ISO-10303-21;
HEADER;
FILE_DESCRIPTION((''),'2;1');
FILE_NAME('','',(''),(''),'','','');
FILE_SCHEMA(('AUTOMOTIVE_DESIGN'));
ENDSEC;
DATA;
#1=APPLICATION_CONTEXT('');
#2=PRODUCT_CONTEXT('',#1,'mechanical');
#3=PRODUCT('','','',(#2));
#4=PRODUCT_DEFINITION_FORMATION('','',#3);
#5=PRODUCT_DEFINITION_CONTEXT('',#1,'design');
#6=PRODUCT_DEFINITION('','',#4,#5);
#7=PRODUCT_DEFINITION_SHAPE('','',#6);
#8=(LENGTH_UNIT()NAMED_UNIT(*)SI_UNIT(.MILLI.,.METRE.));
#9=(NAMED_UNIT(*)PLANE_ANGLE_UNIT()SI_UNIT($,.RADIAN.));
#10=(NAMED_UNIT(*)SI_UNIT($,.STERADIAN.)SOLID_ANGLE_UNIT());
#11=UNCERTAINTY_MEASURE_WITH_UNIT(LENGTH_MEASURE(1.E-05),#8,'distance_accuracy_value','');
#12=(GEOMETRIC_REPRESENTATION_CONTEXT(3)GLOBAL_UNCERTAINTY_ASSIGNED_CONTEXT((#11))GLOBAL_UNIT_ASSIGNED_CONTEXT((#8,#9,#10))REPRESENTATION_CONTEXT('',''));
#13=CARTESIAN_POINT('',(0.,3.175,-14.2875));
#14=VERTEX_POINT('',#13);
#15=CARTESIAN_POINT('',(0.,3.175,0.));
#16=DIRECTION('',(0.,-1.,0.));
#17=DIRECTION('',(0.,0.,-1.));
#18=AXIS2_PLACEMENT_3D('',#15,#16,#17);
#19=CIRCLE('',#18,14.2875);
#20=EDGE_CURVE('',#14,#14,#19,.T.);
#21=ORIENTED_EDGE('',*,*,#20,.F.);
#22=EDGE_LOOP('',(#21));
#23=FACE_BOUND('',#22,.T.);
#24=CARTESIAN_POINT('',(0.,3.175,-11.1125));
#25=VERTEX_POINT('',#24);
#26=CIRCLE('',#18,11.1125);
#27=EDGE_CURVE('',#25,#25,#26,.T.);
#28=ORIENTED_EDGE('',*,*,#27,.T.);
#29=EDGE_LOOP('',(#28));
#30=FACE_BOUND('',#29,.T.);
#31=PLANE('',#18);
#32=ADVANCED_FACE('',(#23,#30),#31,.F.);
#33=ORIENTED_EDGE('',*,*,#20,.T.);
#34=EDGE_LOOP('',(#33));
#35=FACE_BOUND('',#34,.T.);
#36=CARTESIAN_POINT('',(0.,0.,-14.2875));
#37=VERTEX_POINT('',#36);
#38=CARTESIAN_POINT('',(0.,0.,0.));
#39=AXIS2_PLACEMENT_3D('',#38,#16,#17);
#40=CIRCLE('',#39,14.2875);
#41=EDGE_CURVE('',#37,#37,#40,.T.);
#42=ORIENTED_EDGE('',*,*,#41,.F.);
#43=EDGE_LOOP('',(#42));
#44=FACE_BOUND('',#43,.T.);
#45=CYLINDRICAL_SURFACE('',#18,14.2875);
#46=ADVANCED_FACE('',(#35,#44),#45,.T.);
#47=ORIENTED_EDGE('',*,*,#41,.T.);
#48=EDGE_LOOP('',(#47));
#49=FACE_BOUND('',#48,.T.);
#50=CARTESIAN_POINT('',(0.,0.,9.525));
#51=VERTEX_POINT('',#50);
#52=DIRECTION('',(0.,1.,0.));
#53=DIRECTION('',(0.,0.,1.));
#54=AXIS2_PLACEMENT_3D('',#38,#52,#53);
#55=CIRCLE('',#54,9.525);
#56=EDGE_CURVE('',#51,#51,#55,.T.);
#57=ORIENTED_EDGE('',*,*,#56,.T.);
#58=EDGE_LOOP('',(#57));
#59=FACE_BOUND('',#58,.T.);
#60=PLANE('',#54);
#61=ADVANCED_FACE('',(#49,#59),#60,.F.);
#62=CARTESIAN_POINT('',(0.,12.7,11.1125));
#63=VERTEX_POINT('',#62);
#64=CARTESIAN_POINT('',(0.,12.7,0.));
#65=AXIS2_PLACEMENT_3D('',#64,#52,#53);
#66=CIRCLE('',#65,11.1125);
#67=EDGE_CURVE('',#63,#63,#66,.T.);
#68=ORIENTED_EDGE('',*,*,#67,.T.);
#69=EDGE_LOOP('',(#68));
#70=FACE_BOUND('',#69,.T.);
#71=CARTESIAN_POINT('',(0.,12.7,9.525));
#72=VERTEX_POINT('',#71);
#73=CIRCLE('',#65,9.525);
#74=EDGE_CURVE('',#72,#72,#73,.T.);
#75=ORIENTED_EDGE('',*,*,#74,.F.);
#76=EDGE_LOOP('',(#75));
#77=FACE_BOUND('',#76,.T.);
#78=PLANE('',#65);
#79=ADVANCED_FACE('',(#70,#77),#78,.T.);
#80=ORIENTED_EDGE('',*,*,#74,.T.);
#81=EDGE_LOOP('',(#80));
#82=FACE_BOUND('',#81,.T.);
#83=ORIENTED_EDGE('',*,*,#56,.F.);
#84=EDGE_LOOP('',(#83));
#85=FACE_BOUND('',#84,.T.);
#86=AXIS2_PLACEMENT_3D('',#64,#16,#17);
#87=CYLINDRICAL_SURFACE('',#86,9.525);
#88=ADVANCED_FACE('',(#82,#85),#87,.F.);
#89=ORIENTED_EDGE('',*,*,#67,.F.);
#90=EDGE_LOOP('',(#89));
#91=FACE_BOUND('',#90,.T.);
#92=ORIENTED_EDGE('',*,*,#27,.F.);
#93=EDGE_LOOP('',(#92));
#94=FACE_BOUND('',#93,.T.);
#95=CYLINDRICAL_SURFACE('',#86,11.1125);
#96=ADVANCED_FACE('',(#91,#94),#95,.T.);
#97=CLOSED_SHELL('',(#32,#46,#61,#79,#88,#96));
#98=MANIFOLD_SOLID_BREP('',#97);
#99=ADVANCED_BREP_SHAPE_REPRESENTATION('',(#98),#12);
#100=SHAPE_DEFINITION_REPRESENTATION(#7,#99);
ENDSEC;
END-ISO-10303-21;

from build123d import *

# Parameters (mm, degrees)
SKETCH1_R           = 11.1125
SKETCH1_R_2         = 9.525
BOSS_EXTRUDE1_DEPTH = 12.7
SKETCH2_R           = 14.2875
SKETCH2_R_2         = 11.1125
BOSS_EXTRUDE2_DEPTH = 3.175


with BuildPart() as part:
    # Sketch1 → Boss-Extrude1 (new body)
    with BuildSketch(Plane(origin=(0, 0, 0), x_dir=(1, 0, 0), z_dir=(0, 1, 0))):
        with Locations(Location((0, 0, 0), (0, 0, 270))):
            Circle(SKETCH1_R)
        with Locations(Location((0, 0, 0), (0, 0, 270))):
            Circle(SKETCH1_R_2, mode=Mode.SUBTRACT)
    extrude(amount=BOSS_EXTRUDE1_DEPTH)

    # Sketch2 → Boss-Extrude2 (add)
    with BuildSketch(Plane.XZ):
        with Locations(Location((0, 0, 0), (0, 0, 270))):
            Circle(SKETCH2_R)
        with Locations(Location((0, 0, 0), (0, 0, 270))):
            Circle(SKETCH2_R_2, mode=Mode.SUBTRACT)
    extrude(amount=-BOSS_EXTRUDE2_DEPTH)


solid = part.part
